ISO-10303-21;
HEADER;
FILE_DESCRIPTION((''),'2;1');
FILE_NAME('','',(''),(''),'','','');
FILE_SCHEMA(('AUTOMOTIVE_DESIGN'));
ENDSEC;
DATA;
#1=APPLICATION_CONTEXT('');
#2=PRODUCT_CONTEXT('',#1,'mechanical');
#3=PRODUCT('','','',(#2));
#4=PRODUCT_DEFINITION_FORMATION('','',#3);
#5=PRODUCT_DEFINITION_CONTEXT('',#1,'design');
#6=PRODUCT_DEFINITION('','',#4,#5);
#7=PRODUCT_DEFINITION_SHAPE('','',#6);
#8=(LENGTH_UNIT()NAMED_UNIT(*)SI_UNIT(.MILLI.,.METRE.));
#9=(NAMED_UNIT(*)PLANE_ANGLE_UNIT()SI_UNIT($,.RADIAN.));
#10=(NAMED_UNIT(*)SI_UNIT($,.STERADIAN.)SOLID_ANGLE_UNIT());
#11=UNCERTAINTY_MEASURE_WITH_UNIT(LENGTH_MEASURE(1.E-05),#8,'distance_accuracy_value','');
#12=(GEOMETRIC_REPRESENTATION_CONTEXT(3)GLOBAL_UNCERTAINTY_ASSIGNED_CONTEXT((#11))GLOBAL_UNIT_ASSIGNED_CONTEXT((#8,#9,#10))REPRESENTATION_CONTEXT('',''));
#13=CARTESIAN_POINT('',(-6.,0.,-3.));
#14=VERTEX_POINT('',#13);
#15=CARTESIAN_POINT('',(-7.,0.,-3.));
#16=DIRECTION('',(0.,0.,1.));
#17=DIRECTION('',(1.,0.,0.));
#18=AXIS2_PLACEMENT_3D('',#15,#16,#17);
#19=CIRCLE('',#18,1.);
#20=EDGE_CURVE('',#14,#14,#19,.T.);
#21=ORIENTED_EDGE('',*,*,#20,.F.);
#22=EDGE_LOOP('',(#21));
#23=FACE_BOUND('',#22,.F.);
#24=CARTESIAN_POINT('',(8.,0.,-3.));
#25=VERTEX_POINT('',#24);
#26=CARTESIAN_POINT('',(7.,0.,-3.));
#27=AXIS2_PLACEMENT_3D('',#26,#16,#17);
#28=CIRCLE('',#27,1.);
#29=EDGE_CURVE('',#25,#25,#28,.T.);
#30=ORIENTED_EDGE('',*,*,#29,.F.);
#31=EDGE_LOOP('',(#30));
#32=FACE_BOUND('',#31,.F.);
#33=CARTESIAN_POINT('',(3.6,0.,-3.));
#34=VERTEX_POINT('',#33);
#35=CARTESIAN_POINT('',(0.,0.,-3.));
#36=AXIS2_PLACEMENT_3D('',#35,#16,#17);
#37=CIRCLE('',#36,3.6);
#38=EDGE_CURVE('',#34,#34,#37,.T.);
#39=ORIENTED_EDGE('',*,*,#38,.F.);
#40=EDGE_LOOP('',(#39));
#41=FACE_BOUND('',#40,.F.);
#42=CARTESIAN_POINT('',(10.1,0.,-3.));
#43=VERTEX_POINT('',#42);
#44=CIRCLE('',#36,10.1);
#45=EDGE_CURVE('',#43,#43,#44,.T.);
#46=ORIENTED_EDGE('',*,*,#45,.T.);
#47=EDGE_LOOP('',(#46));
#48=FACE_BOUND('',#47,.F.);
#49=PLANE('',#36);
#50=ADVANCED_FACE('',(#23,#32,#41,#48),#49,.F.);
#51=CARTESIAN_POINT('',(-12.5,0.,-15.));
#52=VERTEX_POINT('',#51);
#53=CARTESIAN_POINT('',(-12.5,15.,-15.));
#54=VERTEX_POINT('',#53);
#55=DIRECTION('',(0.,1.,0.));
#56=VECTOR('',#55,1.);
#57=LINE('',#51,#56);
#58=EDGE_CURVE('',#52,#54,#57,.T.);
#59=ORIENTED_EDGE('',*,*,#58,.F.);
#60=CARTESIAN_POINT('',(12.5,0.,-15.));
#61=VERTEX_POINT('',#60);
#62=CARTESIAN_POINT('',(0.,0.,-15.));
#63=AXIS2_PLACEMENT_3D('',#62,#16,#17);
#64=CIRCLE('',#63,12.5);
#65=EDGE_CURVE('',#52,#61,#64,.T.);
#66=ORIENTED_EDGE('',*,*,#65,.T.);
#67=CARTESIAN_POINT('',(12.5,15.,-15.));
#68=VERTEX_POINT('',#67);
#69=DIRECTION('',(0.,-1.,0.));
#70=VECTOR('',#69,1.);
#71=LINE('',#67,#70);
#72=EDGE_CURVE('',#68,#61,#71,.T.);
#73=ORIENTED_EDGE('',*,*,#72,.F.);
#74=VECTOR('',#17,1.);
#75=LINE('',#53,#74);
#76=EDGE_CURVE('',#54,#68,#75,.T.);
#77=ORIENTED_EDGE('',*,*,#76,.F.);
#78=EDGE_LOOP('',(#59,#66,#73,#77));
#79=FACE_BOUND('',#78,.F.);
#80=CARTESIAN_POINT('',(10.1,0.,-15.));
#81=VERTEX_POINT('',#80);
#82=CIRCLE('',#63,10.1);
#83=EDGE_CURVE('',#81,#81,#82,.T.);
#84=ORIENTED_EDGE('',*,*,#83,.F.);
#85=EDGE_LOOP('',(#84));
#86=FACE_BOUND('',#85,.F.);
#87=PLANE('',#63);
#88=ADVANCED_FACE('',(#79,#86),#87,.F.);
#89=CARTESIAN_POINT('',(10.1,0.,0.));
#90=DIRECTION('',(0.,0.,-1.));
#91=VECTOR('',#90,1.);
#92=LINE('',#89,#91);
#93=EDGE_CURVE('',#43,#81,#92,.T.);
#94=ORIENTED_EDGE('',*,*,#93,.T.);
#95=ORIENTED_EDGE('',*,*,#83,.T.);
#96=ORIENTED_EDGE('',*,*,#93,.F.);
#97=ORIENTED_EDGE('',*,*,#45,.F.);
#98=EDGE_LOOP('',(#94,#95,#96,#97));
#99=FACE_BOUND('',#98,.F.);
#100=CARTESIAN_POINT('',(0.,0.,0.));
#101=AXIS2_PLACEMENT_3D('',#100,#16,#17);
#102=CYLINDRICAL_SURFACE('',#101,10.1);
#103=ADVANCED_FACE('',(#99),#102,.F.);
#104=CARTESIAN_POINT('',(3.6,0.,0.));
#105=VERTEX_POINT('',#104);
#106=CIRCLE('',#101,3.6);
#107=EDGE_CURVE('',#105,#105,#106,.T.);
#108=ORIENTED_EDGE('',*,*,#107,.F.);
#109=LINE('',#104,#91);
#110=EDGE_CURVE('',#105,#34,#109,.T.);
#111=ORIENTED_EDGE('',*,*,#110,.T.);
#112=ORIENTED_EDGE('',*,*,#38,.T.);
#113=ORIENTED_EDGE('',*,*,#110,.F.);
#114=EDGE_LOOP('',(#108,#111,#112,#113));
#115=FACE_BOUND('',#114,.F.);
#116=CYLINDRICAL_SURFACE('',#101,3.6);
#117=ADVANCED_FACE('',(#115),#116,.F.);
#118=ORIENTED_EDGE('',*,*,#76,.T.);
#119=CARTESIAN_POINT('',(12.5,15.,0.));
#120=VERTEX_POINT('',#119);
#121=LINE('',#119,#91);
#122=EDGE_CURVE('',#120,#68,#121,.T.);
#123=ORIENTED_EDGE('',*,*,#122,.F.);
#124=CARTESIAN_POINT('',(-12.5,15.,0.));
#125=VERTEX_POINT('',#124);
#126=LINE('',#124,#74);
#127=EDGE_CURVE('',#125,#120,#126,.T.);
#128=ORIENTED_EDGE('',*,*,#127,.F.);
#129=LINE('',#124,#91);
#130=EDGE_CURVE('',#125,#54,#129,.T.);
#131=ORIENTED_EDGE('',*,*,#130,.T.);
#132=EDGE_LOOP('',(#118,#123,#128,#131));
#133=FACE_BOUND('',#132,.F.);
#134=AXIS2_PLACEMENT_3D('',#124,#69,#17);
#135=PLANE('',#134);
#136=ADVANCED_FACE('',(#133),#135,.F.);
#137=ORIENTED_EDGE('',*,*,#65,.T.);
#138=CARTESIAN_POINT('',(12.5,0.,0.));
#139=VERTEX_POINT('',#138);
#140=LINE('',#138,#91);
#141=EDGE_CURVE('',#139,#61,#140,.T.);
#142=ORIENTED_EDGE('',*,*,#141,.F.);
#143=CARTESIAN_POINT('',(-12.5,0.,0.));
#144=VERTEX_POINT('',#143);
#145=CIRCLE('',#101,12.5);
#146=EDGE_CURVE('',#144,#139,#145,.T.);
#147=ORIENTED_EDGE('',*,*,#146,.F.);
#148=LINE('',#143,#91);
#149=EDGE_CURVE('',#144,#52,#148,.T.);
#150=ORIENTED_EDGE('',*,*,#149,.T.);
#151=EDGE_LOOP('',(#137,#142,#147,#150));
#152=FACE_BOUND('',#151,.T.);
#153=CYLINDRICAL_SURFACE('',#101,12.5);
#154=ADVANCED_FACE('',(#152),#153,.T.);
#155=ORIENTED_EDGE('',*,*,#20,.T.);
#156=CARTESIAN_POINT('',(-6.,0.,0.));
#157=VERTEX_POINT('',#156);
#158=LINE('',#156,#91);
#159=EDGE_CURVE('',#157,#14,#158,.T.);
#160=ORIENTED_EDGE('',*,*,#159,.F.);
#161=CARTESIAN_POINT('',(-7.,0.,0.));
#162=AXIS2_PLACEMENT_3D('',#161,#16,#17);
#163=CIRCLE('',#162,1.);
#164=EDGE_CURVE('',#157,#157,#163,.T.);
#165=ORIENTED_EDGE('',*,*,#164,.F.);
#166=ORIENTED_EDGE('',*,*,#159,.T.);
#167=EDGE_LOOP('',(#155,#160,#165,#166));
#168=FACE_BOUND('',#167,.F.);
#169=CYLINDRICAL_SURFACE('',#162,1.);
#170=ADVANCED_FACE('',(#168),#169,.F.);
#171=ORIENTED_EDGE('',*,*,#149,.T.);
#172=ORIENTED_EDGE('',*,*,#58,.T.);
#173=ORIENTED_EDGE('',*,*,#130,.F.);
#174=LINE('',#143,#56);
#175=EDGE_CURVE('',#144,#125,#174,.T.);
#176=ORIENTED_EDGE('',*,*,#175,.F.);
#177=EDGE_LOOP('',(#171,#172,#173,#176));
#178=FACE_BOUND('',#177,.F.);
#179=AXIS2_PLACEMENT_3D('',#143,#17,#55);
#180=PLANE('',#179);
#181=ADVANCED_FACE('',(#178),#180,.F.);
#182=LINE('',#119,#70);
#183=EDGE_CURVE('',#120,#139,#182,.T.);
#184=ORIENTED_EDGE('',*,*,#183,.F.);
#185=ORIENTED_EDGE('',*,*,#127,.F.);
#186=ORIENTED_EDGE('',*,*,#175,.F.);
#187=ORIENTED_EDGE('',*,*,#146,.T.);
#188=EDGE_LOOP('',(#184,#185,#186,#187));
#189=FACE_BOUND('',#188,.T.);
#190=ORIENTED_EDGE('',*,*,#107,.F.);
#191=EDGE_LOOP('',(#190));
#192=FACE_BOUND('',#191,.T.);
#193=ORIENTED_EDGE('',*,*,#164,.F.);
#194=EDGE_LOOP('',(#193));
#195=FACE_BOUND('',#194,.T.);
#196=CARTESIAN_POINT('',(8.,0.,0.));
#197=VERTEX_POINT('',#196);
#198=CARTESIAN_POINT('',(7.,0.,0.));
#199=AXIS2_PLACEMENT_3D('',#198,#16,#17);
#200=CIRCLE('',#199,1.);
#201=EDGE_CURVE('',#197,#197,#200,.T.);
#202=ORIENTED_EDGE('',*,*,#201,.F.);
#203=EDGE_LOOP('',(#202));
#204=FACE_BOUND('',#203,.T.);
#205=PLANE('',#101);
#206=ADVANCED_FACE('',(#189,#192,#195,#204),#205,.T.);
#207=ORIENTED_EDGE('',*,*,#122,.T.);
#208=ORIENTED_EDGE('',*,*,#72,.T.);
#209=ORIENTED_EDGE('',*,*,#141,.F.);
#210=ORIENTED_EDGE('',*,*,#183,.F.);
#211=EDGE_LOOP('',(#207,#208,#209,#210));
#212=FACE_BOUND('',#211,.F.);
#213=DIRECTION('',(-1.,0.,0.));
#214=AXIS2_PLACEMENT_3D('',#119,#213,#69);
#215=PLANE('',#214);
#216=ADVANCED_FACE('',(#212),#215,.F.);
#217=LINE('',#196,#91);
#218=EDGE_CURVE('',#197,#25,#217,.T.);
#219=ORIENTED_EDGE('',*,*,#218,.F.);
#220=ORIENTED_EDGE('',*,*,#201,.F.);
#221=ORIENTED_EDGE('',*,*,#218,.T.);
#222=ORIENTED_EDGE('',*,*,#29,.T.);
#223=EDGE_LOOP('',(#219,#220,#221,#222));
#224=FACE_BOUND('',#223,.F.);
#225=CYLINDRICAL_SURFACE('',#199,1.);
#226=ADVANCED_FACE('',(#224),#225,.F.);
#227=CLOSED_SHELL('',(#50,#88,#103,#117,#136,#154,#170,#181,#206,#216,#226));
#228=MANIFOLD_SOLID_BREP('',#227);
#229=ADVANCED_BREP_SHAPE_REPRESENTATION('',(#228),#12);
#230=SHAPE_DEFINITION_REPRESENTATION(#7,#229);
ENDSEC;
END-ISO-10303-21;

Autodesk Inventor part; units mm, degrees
ref_plane "YZ Plane" through (0, 0, 0) normal (1, 0, 0) x (0, 1, 0)
ref_plane "XZ Plane" through (0, 0, 0) normal (0, 1, 0) x (-1, 0, 0)
ref_plane "XY Plane" through (0, 0, 0) normal (0, 0, 1) x (1, 0, 0)
sketch "Skizze1" plane through (0, 0, 0) normal (0, 0, 1) x (1, 0, 0)
  circle A0 centre (0, 0) radius 10.1
  circle A1 centre (0, 0) radius 12.5
  circle A2 centre (-7, 0) radius 1
  circle A3 centre (7, 0) radius 1
  circle A4 centre (0, 0) radius 3.6
  line L0 (-12.5, 0) -> (-12.5, 15)
  line L1 (-12.5, 15) -> (12.5, 15)
  line L2 (12.5, 15) -> (12.5, 0)
  dimension "d0" = 20.2
  dimension "d1" = 25
  dimension "d2" = 2
  dimension "d3" = 2
  dimension "d4" = 7.2
  dimension "d5" = 7
  dimension "d6" = 7
  dimension "d11" = 15
extrude "Extrusion1" add sketch "Skizze1" against normal blind 15 contours A1 | A1 L0 L1 L2
extrude "Extrusion2" add sketch "Skizze1" against normal blind 3 contours A0
properties part number "Dribbler motor mount lower section"
